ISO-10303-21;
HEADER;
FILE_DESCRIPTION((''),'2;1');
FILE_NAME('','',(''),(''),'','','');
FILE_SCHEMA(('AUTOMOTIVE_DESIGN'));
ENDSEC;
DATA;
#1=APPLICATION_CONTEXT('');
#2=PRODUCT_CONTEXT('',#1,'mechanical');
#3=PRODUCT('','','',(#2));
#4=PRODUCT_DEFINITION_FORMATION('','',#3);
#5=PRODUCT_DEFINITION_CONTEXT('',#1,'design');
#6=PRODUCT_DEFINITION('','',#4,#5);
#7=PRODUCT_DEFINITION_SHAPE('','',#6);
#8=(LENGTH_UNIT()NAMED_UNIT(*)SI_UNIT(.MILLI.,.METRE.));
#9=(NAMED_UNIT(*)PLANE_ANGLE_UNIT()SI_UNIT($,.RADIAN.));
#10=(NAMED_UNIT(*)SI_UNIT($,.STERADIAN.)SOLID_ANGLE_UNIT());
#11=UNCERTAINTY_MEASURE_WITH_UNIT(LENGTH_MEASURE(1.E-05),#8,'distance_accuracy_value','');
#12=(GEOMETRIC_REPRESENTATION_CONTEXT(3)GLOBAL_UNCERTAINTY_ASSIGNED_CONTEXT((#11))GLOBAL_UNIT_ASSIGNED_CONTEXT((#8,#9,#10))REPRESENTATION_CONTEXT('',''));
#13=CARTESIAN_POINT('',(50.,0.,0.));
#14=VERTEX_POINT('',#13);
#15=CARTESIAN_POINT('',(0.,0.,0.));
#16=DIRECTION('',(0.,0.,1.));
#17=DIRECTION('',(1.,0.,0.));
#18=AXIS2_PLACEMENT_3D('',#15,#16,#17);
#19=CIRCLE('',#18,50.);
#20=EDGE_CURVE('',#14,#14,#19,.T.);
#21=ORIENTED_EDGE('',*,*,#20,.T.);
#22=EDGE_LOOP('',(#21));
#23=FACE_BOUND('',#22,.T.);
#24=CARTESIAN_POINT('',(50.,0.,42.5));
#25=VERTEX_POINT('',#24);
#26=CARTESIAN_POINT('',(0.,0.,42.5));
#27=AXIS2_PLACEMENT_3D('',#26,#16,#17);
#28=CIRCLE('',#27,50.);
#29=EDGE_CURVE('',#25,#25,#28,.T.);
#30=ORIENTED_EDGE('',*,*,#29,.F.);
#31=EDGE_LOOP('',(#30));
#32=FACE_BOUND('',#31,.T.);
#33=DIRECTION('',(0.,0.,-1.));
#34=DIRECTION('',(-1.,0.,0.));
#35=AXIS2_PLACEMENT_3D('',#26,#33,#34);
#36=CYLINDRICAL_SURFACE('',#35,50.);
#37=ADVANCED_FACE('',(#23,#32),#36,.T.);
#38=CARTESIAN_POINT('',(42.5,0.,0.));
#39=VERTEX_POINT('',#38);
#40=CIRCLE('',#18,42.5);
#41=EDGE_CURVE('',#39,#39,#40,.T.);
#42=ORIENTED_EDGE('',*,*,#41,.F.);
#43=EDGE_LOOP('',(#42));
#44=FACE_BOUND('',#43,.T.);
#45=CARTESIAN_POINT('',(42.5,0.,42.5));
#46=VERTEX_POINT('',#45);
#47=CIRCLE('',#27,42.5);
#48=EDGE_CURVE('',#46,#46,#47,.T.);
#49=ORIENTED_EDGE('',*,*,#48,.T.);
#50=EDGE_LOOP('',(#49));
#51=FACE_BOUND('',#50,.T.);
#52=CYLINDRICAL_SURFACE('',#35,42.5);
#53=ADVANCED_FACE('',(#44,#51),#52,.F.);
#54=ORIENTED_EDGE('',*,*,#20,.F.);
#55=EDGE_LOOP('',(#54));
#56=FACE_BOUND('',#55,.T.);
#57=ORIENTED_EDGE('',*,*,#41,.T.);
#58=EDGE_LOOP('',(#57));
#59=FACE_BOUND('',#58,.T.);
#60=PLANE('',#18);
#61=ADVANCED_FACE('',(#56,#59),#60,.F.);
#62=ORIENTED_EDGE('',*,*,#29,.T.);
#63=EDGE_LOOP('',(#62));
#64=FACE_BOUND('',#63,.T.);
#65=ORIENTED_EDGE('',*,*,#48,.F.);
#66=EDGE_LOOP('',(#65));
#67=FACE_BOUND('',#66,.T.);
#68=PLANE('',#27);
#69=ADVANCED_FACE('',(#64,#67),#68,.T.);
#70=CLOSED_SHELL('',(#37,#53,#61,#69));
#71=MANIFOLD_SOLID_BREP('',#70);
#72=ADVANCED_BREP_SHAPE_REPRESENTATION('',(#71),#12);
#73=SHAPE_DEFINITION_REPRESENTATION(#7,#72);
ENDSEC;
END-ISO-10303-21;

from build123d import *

# Parameters (mm, degrees)
SCHIZZO1_R                   = 50
SCHIZZO1_R_2                 = 42.5
ESTRUSIONE_ESTRUSIONE1_DEPTH = 42.5


with BuildPart() as part:
    # Schizzo1 → Estrusione-Estrusione1 (new body)
    with BuildSketch(Plane.XY):
        Circle(SCHIZZO1_R)
        Circle(SCHIZZO1_R_2, mode=Mode.SUBTRACT)
    extrude(amount=ESTRUSIONE_ESTRUSIONE1_DEPTH)


solid = part.part
